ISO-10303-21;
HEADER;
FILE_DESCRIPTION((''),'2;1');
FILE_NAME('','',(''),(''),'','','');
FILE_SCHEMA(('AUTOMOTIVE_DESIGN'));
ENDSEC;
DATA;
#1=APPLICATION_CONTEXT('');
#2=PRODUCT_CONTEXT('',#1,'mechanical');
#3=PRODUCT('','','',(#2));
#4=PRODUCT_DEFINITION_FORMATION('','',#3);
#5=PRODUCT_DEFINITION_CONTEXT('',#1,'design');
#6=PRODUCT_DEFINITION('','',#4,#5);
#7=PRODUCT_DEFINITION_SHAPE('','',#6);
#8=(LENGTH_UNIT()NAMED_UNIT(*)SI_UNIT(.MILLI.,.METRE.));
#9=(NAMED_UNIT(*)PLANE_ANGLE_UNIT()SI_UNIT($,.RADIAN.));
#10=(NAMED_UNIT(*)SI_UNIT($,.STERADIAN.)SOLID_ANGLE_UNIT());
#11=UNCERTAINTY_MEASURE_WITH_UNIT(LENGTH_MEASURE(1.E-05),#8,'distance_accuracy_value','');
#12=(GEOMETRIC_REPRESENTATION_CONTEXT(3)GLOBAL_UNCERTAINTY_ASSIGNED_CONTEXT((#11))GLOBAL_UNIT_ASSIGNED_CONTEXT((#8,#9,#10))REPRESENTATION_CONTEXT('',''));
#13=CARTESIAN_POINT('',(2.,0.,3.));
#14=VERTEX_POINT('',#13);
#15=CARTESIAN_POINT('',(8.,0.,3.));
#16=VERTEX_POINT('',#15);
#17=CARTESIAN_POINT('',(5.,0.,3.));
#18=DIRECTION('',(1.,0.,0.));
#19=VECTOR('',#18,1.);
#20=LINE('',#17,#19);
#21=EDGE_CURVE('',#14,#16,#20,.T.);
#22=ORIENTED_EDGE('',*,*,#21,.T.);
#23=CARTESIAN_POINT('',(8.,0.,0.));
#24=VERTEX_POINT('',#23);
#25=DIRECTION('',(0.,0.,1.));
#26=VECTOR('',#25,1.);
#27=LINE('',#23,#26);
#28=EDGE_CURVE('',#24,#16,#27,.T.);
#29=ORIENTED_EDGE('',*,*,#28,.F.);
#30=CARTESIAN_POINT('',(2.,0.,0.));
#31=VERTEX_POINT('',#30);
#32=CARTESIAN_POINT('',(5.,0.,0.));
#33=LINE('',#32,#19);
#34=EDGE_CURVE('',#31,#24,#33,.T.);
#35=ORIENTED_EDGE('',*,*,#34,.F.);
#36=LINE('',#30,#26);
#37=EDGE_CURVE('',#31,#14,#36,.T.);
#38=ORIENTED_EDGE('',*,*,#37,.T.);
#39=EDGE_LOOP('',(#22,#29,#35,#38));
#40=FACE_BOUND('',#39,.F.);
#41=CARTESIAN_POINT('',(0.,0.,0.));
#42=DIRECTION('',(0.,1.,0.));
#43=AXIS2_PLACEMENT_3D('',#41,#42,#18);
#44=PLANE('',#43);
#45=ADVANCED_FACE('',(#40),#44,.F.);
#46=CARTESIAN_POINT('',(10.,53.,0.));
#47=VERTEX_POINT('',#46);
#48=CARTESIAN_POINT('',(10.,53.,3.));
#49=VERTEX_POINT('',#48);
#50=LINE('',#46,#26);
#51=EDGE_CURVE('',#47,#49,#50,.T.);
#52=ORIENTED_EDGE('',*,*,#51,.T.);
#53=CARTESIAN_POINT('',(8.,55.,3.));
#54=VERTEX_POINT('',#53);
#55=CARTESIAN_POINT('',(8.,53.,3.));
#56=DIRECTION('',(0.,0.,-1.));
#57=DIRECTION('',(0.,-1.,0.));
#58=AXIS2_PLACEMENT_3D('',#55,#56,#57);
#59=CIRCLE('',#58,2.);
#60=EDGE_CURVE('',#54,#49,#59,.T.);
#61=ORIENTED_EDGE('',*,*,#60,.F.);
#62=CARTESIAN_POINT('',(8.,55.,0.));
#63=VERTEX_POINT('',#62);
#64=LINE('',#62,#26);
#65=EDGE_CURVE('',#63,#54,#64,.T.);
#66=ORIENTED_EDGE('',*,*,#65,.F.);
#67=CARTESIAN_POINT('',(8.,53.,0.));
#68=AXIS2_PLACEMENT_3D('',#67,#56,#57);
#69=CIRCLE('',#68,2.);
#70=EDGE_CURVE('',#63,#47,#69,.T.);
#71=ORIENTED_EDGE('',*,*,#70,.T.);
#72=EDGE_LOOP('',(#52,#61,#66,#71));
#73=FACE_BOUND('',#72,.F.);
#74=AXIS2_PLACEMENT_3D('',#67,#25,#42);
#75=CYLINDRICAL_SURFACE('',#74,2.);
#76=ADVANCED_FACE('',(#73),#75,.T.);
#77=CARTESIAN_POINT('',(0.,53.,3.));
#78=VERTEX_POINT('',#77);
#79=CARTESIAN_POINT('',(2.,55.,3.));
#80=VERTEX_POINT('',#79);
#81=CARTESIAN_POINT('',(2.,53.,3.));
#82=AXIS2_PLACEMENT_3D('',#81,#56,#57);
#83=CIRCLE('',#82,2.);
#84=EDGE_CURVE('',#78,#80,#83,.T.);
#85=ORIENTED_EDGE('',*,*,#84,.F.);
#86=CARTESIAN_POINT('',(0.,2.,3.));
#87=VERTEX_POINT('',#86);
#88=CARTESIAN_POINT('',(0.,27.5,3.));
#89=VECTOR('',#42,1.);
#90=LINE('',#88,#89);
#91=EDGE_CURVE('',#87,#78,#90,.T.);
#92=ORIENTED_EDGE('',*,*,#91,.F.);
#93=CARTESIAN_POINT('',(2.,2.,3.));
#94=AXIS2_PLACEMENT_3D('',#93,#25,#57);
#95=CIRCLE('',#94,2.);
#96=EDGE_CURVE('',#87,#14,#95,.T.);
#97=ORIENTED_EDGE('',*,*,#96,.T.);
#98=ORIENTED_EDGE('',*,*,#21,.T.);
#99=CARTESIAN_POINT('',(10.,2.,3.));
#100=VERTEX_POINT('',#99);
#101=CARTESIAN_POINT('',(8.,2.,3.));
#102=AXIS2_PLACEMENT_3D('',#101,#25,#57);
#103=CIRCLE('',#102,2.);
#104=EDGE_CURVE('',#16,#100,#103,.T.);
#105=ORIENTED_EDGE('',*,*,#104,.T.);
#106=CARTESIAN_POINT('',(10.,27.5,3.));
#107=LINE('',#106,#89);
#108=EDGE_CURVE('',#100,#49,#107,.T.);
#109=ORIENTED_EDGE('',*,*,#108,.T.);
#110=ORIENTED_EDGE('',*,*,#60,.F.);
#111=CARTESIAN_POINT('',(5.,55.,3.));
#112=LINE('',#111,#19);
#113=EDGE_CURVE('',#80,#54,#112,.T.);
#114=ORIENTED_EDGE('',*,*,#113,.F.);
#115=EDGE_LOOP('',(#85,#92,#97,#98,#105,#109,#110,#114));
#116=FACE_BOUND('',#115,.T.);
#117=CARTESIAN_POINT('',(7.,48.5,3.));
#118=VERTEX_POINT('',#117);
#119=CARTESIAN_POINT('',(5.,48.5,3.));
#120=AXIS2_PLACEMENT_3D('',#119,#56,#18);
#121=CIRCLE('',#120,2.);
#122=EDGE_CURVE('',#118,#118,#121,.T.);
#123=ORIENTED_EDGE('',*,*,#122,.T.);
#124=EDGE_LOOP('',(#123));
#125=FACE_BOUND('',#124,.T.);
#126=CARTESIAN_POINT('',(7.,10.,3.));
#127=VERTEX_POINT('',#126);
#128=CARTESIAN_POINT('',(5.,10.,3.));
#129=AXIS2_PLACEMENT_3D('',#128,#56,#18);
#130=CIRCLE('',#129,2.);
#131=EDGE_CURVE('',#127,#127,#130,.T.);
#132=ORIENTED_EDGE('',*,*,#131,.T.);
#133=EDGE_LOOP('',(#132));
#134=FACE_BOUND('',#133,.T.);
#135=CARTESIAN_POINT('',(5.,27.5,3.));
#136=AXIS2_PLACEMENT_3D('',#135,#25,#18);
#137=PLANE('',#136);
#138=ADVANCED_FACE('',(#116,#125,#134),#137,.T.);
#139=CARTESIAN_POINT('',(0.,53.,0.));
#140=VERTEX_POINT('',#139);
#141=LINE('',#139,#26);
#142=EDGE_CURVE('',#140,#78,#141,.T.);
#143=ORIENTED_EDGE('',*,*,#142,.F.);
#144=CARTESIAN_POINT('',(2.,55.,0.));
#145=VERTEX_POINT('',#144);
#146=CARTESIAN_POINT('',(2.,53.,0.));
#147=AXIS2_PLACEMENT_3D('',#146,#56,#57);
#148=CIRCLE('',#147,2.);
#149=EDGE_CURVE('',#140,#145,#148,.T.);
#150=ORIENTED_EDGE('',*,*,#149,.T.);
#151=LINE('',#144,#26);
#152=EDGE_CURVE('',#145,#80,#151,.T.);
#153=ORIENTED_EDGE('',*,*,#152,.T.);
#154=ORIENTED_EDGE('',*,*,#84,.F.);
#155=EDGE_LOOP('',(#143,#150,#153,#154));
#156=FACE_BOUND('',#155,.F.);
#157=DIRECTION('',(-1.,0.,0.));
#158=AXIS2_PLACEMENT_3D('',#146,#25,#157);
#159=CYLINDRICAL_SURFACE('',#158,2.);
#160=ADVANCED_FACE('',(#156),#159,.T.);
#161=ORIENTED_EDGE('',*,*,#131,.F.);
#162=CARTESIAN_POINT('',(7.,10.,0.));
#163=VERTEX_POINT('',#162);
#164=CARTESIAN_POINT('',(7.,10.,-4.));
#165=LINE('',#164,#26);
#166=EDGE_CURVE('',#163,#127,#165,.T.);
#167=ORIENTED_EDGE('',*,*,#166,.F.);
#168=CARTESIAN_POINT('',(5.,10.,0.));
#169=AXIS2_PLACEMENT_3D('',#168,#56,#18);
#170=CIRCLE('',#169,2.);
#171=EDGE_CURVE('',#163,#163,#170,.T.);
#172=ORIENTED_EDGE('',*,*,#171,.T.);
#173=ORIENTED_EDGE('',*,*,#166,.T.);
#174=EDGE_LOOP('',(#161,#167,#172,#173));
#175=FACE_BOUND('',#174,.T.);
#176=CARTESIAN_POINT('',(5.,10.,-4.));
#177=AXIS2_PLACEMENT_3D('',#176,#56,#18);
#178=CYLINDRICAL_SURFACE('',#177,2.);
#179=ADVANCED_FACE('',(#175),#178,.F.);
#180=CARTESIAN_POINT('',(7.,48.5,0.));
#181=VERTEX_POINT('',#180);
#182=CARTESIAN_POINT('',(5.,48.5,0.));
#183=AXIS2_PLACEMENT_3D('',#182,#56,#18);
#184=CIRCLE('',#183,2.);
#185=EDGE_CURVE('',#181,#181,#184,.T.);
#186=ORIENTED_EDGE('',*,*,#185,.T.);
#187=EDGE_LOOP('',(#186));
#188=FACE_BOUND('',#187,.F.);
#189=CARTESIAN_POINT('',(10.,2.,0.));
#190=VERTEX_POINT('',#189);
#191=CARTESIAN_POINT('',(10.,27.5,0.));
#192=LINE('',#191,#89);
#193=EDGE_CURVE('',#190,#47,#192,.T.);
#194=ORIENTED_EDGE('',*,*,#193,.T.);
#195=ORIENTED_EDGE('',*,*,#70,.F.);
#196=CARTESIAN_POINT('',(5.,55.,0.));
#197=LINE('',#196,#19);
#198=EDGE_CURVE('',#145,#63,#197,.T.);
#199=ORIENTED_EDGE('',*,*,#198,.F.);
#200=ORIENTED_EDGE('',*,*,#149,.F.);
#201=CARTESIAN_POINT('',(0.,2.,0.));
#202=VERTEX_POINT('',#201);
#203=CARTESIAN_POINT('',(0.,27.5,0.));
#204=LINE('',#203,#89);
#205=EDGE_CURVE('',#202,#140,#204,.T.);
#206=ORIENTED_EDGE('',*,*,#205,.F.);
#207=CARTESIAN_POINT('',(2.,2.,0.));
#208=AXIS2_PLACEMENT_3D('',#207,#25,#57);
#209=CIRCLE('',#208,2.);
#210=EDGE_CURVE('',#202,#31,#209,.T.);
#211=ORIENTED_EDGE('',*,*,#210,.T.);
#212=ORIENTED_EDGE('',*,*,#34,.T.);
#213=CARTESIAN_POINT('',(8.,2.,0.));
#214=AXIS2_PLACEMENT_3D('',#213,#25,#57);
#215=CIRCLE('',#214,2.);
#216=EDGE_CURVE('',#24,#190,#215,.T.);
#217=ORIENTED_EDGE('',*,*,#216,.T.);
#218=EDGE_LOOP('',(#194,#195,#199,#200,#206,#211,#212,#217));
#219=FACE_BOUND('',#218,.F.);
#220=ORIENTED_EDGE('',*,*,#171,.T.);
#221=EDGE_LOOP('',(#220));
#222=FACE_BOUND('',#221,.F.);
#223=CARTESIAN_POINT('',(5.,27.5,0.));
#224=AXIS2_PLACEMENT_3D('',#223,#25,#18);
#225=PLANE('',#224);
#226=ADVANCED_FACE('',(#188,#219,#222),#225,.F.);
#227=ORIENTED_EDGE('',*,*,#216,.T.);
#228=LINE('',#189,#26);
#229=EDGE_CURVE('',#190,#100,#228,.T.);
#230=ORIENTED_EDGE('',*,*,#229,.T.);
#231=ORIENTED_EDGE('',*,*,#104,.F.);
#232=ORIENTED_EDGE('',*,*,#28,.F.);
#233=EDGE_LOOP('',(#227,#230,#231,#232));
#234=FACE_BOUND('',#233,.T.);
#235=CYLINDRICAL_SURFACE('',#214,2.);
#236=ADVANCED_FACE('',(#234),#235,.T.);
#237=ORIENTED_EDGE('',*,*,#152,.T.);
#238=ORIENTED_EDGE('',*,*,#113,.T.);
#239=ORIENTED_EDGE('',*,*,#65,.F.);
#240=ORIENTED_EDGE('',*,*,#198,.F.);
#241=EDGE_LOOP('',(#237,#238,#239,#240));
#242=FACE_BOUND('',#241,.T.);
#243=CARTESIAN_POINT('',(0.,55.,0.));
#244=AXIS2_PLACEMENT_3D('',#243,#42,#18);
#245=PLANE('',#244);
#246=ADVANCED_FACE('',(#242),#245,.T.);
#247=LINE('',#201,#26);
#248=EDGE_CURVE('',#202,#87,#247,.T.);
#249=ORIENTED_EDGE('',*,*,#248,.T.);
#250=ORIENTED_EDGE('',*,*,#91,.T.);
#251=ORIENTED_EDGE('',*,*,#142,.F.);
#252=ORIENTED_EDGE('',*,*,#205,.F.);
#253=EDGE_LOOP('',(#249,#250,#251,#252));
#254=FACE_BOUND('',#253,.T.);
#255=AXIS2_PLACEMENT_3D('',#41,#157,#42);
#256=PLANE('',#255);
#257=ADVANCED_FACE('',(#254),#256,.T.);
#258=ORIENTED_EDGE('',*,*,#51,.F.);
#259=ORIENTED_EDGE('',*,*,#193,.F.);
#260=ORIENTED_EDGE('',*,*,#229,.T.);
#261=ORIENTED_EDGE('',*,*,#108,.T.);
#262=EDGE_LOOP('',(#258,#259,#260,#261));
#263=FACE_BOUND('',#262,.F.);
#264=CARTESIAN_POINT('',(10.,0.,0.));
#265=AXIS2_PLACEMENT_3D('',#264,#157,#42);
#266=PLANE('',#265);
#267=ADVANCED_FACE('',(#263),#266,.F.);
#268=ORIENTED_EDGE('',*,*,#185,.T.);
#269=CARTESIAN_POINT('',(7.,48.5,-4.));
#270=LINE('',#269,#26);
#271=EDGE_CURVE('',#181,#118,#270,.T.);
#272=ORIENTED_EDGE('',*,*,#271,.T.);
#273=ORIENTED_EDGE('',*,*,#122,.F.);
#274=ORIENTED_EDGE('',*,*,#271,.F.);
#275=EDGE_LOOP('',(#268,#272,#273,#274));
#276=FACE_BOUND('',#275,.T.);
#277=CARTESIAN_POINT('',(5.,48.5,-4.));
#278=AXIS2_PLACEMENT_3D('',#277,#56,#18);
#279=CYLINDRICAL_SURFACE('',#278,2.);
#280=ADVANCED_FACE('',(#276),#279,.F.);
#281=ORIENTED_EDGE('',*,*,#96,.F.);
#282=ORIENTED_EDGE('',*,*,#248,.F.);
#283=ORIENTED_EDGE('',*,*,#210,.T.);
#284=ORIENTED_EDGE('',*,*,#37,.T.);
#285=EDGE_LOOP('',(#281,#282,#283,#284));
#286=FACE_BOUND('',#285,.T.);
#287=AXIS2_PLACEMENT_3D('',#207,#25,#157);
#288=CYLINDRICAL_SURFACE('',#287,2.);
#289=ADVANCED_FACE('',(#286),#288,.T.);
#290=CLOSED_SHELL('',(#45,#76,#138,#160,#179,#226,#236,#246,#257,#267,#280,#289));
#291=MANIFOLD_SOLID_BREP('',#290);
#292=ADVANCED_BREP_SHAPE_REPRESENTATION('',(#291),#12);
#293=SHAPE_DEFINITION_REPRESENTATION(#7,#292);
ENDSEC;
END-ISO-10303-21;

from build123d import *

# Parameters (mm, degrees)
CYLINDER001_R     = 2
CYLINDER001_DEPTH = 10
CYLINDER_R        = 2
CYLINDER_DEPTH    = 10
BOX_W             = 10
BOX_H             = 55
BOX_DEPTH         = 3
FILLET_R          = 2


with BuildPart() as h_bolt_l:
    # Cylinder001 → Cylinder001 (new body)
    with BuildSketch(Plane(origin=(5, 10, -4), x_dir=(1, 0, 0), z_dir=(0, 0, 1))):
        Circle(CYLINDER001_R)
    extrude(amount=CYLINDER001_DEPTH)


with BuildPart() as fusion:
    # Cylinder → Cylinder (new body)
    with BuildSketch(Plane(origin=(5, 48.5, -4), x_dir=(1, 0, 0), z_dir=(0, 0, 1))):
        Circle(CYLINDER_R)
    extrude(amount=CYLINDER_DEPTH)

    # Fusion: union h_bolt_l
    add(h_bolt_l.part)


with BuildPart() as fillet_body:
    # Box → Box (new body)
    with BuildSketch(Plane.XY):
        with Locations((5, 27.5)):
            Rectangle(BOX_W, BOX_H)
    extrude(amount=BOX_DEPTH)

    # Cut: cut Fusion
    add(fusion.part, mode=Mode.SUBTRACT)

    # Fillet
    fillet_edges = [fillet_body.edges().sort_by_distance(p)[0] for p in [
        (0, 0, 1.5),
        (0, 55, 1.5),
        (10, 0, 1.5),
        (10, 55, 1.5),
    ]]
    fillet(fillet_edges, radius=FILLET_R)


solid = fillet_body.part
